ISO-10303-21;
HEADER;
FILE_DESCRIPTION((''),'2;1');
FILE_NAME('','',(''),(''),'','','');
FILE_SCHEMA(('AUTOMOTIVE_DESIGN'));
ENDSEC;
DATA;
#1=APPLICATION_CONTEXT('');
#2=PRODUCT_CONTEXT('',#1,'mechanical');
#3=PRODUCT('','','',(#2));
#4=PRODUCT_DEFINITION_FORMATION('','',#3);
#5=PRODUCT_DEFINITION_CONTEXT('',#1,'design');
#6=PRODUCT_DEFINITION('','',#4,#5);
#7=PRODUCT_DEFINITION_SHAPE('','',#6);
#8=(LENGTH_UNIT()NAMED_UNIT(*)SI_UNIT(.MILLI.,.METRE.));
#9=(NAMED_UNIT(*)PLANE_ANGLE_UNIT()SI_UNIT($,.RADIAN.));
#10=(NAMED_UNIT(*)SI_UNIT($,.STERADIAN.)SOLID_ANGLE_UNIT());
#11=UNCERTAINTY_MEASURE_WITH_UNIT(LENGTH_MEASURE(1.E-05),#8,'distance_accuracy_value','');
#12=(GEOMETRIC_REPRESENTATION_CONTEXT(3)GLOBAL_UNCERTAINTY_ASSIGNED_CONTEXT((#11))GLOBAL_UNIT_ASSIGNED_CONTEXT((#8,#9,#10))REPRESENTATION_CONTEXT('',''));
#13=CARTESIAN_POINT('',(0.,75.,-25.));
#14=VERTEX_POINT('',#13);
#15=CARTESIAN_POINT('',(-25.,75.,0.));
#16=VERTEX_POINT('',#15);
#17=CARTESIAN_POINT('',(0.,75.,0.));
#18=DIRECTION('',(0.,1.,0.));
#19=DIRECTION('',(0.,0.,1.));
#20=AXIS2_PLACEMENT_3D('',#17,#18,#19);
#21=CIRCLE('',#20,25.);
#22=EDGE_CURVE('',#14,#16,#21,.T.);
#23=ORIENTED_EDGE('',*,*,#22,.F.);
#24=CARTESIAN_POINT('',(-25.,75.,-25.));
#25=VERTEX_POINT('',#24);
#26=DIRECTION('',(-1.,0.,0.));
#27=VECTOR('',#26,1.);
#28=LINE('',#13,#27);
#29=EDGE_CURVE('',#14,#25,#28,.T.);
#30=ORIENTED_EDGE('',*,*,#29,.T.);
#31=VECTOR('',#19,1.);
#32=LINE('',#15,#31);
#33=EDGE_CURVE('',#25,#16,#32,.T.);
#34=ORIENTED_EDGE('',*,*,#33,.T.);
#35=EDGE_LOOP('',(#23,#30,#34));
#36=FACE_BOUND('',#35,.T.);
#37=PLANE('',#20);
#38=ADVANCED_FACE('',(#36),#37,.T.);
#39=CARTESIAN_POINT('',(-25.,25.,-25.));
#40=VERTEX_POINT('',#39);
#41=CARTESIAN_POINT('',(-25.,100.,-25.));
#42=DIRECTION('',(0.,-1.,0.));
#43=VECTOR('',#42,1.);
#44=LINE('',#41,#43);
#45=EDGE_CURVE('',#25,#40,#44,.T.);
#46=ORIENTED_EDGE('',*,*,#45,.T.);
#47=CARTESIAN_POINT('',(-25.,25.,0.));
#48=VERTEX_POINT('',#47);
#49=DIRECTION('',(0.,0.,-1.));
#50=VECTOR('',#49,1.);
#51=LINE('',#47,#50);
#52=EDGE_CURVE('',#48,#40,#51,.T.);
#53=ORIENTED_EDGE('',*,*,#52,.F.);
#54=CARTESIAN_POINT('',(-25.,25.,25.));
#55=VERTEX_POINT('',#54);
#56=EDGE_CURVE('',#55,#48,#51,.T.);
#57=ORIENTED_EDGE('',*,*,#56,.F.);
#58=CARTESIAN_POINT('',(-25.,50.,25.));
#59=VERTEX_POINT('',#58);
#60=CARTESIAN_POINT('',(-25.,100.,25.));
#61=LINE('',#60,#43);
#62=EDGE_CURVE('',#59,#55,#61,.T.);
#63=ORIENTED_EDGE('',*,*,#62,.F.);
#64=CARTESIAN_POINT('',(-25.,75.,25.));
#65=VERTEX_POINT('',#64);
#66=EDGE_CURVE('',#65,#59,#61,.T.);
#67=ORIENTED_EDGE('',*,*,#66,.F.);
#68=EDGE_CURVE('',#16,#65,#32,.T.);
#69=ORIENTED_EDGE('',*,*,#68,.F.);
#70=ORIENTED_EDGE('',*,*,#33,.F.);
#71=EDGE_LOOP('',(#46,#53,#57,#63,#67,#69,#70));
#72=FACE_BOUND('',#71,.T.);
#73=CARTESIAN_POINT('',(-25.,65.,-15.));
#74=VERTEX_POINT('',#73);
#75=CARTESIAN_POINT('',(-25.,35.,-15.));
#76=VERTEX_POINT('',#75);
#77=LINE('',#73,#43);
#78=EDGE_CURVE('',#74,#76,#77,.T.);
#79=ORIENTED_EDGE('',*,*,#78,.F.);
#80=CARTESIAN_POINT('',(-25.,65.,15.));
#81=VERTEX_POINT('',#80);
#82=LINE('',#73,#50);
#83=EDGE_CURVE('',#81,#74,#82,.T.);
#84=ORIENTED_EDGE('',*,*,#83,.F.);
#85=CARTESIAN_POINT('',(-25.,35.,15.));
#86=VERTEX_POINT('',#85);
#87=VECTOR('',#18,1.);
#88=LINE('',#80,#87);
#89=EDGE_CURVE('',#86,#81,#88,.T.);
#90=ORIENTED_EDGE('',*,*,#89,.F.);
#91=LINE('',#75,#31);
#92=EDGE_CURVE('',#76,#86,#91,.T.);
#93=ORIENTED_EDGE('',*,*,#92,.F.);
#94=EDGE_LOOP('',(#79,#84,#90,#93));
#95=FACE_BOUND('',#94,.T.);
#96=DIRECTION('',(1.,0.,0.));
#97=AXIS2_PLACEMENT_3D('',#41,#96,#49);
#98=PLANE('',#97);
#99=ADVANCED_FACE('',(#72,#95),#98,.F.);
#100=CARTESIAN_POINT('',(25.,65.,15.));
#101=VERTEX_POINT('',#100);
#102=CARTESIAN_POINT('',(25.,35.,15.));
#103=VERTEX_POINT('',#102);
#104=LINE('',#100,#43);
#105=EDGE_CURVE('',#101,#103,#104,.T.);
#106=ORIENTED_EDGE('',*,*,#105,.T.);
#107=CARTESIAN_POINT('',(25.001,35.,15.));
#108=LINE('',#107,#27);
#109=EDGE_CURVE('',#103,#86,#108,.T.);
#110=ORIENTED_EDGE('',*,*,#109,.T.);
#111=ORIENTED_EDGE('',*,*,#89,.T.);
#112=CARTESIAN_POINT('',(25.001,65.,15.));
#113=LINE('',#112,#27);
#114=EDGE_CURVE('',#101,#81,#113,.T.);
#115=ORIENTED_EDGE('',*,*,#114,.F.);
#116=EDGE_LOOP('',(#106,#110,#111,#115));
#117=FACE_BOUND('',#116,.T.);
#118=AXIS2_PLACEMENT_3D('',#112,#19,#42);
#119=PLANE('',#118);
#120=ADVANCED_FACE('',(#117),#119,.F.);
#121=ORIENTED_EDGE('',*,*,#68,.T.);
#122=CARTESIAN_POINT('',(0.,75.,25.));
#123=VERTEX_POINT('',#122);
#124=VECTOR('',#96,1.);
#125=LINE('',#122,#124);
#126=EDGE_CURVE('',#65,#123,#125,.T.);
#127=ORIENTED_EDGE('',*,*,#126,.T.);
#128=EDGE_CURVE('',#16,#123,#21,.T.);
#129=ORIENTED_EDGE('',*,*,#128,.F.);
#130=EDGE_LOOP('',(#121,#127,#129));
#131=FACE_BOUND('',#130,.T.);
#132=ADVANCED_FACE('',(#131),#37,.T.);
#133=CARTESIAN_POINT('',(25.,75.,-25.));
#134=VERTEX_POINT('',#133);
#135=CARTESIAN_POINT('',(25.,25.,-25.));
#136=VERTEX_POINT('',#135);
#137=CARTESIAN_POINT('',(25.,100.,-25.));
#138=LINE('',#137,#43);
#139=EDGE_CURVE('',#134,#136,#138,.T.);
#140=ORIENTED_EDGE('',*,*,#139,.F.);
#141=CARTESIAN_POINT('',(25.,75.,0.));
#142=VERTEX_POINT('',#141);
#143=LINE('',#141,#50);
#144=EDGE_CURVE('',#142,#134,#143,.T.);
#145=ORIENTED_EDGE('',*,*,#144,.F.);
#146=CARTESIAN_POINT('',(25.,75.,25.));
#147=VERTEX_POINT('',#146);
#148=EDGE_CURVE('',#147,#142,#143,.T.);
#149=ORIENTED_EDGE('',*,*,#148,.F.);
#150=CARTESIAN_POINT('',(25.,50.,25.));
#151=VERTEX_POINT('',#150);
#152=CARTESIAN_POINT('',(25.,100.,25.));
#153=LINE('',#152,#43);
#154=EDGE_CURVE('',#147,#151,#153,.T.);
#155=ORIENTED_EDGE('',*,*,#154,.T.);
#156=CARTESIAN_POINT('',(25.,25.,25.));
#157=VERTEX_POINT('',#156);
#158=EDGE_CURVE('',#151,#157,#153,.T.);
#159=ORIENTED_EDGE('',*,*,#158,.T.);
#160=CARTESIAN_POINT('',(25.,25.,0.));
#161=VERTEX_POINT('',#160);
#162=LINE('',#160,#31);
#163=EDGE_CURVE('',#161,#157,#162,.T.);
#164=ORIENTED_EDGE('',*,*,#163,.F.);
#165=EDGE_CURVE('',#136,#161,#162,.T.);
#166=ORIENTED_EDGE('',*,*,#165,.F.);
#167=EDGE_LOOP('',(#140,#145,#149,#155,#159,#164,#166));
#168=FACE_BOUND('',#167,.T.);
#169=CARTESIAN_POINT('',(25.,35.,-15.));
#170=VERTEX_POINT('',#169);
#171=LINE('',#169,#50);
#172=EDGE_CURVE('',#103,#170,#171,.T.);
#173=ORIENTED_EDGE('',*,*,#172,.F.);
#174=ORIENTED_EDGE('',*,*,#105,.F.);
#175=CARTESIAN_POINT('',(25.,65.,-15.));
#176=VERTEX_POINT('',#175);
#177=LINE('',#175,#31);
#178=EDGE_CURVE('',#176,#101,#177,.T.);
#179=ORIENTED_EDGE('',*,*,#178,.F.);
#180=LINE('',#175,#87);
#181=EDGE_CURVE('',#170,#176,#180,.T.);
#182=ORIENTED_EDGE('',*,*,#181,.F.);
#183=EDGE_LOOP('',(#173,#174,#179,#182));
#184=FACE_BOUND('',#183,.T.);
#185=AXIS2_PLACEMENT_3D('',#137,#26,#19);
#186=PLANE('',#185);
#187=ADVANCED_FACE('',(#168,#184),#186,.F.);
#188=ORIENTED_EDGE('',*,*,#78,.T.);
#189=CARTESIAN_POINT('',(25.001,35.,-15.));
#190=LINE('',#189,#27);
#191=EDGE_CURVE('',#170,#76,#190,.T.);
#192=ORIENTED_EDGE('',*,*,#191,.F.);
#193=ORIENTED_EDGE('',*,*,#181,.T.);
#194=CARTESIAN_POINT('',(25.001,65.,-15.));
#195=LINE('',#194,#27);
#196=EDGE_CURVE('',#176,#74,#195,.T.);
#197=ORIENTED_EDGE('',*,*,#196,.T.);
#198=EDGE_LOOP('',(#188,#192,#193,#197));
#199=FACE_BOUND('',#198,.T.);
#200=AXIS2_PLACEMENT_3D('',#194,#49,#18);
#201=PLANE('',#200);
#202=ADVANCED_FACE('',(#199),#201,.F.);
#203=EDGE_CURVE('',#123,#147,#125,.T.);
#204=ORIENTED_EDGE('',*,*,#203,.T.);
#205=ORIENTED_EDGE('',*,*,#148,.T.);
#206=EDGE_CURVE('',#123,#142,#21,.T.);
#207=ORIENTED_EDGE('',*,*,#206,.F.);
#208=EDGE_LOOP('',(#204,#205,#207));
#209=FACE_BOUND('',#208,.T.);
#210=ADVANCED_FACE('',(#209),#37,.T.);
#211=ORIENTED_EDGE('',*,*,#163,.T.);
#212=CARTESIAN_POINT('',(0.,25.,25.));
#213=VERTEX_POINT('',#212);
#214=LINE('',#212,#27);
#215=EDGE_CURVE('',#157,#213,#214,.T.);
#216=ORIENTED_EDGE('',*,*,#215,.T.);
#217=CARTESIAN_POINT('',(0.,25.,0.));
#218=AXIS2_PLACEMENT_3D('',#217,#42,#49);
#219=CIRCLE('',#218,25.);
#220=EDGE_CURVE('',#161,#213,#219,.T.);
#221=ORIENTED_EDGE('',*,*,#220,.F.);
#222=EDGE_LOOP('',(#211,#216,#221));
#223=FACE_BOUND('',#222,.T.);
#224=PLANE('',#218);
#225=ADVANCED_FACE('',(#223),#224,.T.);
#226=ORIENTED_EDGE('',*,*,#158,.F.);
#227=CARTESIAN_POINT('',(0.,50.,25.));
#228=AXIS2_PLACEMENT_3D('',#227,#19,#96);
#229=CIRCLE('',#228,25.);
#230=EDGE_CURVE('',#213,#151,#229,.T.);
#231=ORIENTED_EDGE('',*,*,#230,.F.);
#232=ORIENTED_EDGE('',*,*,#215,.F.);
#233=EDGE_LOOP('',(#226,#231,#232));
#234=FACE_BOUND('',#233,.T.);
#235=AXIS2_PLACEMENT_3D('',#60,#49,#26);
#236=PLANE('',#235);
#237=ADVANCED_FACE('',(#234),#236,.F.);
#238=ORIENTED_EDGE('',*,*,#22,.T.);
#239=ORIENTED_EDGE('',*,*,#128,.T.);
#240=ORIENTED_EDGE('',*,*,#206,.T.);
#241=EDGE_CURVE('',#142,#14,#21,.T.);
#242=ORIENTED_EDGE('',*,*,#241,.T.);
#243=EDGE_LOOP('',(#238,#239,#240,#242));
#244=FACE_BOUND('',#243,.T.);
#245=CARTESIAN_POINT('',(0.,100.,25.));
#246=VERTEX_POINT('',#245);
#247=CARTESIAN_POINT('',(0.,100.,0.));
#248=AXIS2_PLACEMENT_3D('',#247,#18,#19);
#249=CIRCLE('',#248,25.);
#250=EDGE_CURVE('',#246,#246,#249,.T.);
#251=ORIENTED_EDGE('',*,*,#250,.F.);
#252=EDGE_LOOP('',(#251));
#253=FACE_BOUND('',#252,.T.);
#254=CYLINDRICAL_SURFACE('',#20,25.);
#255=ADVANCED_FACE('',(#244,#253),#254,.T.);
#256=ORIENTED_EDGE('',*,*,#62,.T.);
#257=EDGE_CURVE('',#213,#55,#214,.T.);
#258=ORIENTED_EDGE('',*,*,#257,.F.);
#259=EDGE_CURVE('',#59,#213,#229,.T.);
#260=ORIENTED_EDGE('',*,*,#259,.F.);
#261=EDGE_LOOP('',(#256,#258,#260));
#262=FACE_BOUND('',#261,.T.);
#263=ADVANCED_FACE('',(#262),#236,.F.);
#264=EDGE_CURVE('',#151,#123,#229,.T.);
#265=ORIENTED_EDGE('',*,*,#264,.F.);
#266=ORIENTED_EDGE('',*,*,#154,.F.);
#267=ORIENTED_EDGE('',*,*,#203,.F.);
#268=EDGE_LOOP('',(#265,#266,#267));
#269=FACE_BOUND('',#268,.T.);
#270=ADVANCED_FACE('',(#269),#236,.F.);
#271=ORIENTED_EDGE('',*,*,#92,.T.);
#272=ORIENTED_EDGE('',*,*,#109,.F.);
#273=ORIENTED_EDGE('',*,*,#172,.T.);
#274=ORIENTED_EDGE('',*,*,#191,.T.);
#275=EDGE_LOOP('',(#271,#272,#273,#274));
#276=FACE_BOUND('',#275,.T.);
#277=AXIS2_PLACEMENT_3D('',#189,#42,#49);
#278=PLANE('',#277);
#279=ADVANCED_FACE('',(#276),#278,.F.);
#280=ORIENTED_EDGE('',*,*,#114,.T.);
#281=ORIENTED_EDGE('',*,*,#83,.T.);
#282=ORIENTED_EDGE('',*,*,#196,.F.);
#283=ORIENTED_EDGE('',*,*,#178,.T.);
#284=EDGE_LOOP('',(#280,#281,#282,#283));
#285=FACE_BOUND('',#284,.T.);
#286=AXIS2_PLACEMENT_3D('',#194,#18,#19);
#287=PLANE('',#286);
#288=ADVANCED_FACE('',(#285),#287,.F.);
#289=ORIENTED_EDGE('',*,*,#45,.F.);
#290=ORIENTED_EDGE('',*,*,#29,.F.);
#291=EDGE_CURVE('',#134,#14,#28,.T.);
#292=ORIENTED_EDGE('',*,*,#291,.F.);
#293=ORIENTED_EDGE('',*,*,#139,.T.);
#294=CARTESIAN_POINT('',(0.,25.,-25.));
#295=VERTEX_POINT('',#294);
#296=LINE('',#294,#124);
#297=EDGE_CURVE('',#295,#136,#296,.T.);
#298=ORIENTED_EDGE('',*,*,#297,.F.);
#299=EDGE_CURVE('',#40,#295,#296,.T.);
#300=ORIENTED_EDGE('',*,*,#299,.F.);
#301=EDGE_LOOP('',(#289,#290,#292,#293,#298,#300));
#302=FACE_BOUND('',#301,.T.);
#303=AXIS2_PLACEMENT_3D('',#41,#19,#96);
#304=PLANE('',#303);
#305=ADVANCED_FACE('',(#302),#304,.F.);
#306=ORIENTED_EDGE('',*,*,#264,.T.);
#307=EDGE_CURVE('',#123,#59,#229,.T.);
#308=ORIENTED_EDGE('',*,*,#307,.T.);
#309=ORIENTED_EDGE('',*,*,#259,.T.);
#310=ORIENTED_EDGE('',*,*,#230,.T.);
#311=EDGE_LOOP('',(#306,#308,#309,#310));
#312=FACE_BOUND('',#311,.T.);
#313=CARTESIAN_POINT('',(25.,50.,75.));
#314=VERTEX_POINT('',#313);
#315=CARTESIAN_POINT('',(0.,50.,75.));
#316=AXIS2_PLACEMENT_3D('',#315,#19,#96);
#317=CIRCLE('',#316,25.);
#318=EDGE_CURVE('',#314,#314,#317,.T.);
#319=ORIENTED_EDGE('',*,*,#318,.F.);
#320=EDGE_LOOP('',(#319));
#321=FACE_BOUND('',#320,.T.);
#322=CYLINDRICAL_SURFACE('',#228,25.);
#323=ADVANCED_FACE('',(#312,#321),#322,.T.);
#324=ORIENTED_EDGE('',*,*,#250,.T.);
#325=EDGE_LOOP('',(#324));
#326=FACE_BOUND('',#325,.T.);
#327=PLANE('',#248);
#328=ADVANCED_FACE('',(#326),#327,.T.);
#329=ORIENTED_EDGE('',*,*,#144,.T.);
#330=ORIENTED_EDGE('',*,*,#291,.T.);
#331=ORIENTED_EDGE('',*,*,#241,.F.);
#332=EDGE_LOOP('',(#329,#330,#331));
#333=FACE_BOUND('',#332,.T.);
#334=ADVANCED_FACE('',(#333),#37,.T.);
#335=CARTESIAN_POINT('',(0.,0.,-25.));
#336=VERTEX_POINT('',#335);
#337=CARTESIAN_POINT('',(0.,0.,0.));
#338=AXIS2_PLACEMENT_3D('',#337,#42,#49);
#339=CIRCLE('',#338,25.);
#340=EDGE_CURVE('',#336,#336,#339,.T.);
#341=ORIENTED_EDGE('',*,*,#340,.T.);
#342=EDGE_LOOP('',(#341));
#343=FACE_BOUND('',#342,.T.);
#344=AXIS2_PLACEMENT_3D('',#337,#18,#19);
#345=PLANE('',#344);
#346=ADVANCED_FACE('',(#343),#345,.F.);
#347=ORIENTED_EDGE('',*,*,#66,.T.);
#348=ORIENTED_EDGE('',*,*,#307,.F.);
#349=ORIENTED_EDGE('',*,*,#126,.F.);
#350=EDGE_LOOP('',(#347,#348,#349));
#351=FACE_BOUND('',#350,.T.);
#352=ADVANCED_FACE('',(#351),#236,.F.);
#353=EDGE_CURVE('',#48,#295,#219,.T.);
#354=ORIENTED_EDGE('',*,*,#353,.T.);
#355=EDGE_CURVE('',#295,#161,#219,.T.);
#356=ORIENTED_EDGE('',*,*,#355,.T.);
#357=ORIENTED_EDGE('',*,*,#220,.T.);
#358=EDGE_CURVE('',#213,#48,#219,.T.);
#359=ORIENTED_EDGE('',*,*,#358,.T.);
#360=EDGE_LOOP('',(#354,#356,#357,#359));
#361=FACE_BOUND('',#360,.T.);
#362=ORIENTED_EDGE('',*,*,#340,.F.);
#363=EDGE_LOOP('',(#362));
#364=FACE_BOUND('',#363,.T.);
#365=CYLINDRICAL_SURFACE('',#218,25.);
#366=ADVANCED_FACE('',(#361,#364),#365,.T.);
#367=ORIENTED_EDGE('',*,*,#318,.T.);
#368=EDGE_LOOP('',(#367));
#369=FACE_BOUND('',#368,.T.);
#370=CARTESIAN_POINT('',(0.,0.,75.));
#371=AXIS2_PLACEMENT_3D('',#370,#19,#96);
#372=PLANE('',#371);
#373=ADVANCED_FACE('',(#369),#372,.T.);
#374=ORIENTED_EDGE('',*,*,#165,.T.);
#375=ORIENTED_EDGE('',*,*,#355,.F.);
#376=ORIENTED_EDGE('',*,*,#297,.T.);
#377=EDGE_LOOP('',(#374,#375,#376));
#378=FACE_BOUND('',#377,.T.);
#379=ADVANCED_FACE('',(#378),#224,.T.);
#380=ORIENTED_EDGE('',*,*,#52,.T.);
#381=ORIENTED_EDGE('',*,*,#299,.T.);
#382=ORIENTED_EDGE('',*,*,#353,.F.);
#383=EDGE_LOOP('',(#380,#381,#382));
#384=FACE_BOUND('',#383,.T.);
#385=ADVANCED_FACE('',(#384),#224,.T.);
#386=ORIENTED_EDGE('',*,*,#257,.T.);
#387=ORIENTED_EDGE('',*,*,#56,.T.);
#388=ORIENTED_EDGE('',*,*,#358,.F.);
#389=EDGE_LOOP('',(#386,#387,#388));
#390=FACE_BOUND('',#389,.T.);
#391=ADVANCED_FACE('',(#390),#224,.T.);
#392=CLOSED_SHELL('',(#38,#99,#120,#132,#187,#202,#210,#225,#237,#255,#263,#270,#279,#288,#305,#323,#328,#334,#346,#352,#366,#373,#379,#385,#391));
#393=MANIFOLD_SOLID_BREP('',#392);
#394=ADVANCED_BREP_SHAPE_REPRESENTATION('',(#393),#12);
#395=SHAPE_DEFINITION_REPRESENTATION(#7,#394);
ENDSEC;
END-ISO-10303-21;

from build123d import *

# Parameters (mm, degrees)
SKETCH1_W           = 50
SKETCH1_H           = 50
BOSS_EXTRUDE1_DEPTH = 100
SKETCH2_W           = 50
SKETCH2_H           = 50
BOSS_EXTRUDE2_DEPTH = 50
CUT_EXTRUDE1_DEPTH  = 50
CUT_EXTRUDE3_DEPTH  = 25
CUT_EXTRUDE4_DEPTH  = 25
CUT_EXTRUDE5_REACH  = 52
SKETCH6_W           = 30
SKETCH6_H           = 30


with BuildPart() as part:
    # Sketch1 → Boss-Extrude1 (new body)
    with BuildSketch(Plane(origin=(0, 0, 0), x_dir=(1, 0, 0), z_dir=(0, 1, 0))):
        Rectangle(SKETCH1_W, SKETCH1_H)
    extrude(amount=BOSS_EXTRUDE1_DEPTH)

    # Sketch2 → Boss-Extrude2 (add)
    with BuildSketch(Plane.XY.offset(25)):
        with Locations((0, 50)):
            Rectangle(SKETCH2_W, SKETCH2_H)
    extrude(amount=BOSS_EXTRUDE2_DEPTH)

    # Sketch3 → Cut-Extrude1 (cut)
    with BuildSketch(Plane.XY.offset(75)):
        with BuildLine():
            Line((8.4e-08, 75), (-25, 75))
            Line((-25, 75), (-25, 49.999999966))
            ThreePointArc((-25, 49.999999966), (-17.677669512, 67.677669547), (8.4e-08, 75))
        make_face()
        with BuildLine():
            Line((25, 75), (8.4e-08, 75))
            ThreePointArc((8.4e-08, 75), (17.677669559, 67.6776695), (25, 50))
            Line((25, 50), (25, 75))
        make_face()
        with BuildLine():
            Line((25, 25), (25, 50))
            ThreePointArc((25, 50), (17.677669509, 32.32233045), (-5.8e-08, 25))
            Line((-5.8e-08, 25), (25, 25))
        make_face()
        with BuildLine():
            ThreePointArc((-5.8e-08, 25), (-17.677669538, 32.322330479), (-25, 49.999999966))
            Line((-25, 49.999999966), (-25, 25))
            Line((-25, 25), (-5.8e-08, 25))
        make_face()
    extrude(amount=-CUT_EXTRUDE1_DEPTH, mode=Mode.SUBTRACT)

    # Sketch4 → Cut-Extrude3 (cut)
    with BuildSketch(Plane(origin=(0, 100, 0), x_dir=(1, 0, 0), z_dir=(0, 1, 0))):
        with BuildLine():
            ThreePointArc((0, -25), (-17.67766954, -17.677669519), (-25, 3e-08))
            Line((-25, 3e-08), (-25, -25))
            Line((-25, -25), (0, -25))
        make_face()
        with BuildLine():
            Line((0, 25), (-25, 25))
            Line((-25, 25), (-25, 3e-08))
            ThreePointArc((-25, 3e-08), (-17.677669519, 17.67766954), (0, 25))
        make_face()
        with BuildLine():
            Line((25, 25), (0, 25))
            ThreePointArc((0, 25), (17.67766953, 17.67766953), (25, 0))
            Line((25, 0), (25, 25))
        make_face()
        with BuildLine():
            Line((25, -25), (25, 0))
            ThreePointArc((25, 0), (17.67766953, -17.67766953), (0, -25))
            Line((0, -25), (25, -25))
        make_face()
    extrude(amount=-CUT_EXTRUDE3_DEPTH, mode=Mode.SUBTRACT)

    # Sketch5 → Cut-Extrude4 (cut)
    with BuildSketch(Plane.XZ):
        with BuildLine():
            Line((-2e-08, 25), (-25, 25))
            Line((-25, 25), (-25, 1e-09))
            ThreePointArc((-25, 1e-09), (-17.677669536, 17.677669523), (-2e-08, 25))
        make_face()
        with BuildLine():
            Line((25, 25), (-2e-08, 25))
            ThreePointArc((-2e-08, 25), (17.677669523, 17.677669537), (25, 0))
            Line((25, 0), (25, 25))
        make_face()
        with BuildLine():
            Line((25, -25), (25, 0))
            ThreePointArc((25, 0), (17.67766952, -17.677669539), (-2.6e-08, -25))
            Line((-2.6e-08, -25), (25, -25))
        make_face()
        with BuildLine():
            ThreePointArc((-2.6e-08, -25), (-17.677669539, -17.67766952), (-25, 1e-09))
            Line((-25, 1e-09), (-25, -25))
            Line((-25, -25), (-2.6e-08, -25))
        make_face()
    extrude(amount=-CUT_EXTRUDE4_DEPTH, mode=Mode.SUBTRACT)

    # Sketch6 → Cut-Extrude5 (cut, up to next)
    with BuildSketch(Plane.ZY.offset(25), mode=Mode.PRIVATE) as cut_extrude5_sk1:
        with Locations((0, 50)):
            Rectangle(SKETCH6_W, SKETCH6_H)
    cut_extrude5_tool1 = extrude(cut_extrude5_sk1.sketch, amount=-CUT_EXTRUDE5_REACH, mode=Mode.PRIVATE) & part.part
    add(cut_extrude5_tool1.solids().sort_by_distance((-25, 50, 0))[0], mode=Mode.SUBTRACT)


solid = part.part
